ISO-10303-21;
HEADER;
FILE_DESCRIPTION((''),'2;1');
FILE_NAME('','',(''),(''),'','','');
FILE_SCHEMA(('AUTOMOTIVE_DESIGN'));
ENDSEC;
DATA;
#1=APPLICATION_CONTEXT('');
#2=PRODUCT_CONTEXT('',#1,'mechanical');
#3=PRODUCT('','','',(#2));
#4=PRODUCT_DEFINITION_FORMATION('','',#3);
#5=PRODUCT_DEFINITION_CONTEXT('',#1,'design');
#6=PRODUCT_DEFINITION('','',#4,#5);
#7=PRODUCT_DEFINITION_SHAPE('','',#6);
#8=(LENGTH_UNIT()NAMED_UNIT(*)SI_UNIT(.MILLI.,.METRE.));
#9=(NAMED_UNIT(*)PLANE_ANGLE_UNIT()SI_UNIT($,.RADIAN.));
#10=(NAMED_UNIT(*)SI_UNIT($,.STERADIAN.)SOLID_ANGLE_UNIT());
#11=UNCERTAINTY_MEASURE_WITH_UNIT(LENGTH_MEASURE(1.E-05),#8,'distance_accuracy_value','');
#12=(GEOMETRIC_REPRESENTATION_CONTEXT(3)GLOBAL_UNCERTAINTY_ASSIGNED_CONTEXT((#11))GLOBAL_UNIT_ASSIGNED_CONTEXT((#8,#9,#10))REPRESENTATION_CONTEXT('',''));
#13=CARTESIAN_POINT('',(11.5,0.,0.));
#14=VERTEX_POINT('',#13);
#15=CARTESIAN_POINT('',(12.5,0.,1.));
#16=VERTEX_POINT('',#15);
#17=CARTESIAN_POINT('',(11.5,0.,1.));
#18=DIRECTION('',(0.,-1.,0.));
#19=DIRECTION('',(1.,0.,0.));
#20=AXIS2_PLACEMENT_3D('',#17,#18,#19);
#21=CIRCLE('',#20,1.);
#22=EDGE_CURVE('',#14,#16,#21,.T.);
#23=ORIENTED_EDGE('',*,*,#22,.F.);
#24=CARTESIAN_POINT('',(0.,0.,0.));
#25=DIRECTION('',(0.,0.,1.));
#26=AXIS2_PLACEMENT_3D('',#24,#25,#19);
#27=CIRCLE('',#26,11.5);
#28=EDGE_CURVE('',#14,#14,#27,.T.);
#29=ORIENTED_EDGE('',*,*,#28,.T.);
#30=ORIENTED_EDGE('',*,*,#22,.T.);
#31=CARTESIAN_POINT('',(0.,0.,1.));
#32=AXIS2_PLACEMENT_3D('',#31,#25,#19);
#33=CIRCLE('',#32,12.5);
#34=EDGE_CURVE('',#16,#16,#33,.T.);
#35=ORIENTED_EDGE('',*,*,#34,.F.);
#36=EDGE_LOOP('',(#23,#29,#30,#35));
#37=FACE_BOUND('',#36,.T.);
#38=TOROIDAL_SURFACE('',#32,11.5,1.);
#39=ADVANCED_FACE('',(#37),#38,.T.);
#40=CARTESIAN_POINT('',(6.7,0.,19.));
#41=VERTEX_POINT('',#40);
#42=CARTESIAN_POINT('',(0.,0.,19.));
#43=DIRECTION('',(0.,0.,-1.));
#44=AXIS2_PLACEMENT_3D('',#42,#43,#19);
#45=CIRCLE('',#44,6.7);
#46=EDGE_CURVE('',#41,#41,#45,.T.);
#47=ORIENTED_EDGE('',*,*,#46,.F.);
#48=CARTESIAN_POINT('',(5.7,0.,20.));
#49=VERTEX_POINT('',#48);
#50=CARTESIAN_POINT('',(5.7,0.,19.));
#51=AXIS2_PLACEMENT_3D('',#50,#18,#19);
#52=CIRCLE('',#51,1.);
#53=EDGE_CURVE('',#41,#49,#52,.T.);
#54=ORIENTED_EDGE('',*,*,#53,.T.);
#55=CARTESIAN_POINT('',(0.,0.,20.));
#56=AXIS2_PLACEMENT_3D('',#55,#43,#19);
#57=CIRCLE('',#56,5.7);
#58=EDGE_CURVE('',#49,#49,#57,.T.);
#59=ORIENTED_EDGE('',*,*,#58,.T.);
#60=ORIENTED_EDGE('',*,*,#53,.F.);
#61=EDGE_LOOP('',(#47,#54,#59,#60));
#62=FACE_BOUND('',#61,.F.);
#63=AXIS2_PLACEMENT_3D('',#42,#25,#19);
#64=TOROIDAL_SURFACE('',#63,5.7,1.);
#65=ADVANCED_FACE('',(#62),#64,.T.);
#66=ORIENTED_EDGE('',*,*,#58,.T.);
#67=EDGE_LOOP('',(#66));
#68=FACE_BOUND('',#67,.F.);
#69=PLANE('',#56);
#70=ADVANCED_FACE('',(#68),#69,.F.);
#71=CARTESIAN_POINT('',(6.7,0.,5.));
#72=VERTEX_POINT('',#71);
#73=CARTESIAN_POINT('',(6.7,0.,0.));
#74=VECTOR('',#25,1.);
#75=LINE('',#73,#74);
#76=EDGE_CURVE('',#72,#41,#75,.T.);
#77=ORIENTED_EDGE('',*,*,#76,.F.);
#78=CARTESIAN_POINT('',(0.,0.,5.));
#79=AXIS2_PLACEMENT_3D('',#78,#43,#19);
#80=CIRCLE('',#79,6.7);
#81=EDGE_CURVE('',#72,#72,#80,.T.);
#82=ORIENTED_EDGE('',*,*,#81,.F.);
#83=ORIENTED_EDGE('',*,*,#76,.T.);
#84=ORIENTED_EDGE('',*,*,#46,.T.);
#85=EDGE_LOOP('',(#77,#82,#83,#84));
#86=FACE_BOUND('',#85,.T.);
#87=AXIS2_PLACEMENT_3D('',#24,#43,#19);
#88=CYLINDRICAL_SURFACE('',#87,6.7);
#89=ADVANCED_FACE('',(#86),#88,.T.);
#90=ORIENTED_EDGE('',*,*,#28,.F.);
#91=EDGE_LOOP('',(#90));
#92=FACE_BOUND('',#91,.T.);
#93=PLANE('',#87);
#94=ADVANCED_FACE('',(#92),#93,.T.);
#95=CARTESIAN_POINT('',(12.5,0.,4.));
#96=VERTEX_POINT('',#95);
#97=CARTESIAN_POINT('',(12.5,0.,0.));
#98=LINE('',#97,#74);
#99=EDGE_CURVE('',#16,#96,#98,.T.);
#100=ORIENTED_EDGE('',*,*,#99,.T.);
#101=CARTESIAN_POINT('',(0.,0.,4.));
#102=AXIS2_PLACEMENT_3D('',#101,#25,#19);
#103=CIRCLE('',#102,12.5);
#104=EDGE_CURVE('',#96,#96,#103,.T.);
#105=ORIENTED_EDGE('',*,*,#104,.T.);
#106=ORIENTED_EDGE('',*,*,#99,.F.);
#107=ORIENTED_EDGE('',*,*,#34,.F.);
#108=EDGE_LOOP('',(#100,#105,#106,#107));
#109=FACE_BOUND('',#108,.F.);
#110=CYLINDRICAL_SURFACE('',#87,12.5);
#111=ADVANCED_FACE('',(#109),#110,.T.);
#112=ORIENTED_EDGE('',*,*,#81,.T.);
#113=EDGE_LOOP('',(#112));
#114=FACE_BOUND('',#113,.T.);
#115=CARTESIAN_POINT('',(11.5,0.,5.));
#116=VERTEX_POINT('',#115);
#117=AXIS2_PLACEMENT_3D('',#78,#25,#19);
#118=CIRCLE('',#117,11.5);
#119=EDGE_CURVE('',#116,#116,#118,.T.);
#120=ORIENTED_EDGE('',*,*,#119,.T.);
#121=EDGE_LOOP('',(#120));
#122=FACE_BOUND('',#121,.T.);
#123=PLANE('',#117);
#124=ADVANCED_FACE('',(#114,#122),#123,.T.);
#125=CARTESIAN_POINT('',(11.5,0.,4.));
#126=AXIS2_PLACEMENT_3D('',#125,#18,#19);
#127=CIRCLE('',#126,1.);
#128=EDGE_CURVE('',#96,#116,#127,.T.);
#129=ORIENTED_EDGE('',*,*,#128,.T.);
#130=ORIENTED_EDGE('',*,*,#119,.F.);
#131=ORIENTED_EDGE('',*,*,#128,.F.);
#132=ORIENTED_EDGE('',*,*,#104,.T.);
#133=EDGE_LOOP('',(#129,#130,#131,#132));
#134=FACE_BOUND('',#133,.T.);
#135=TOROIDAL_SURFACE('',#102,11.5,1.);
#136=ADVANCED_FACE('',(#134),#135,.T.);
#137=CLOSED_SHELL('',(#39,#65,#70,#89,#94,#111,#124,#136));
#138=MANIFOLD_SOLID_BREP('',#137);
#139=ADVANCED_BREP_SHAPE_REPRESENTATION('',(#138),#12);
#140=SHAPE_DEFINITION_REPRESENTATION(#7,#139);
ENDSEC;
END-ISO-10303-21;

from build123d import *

# Parameters (mm, degrees)
F0_R     = 12.5
F1_DEPTH = 5
F2_R     = 6.7
F3_DEPTH = 20
F4_R     = 1


with BuildPart() as f1:
    # F0 (on Top) → F1 (new body)
    with BuildSketch(Plane.XY):
        Circle(F0_R)
    extrude(amount=F1_DEPTH)

    # F2 (on face) → F3 (join)
    with BuildSketch(Plane(origin=(0, 0, 0), x_dir=(1, 0, 0), z_dir=(0, 0, -1))):
        Circle(F2_R)
    extrude(amount=-F3_DEPTH)

    # F4
    f4_edges = [f1.edges().sort_by_distance(p)[0] for p in [
        (-12.5, 0, 0),
        (-12.5, 0, 5),
        (-6.7, 0, 20),
    ]]
    fillet(f4_edges, radius=F4_R)


solid = f1.part
